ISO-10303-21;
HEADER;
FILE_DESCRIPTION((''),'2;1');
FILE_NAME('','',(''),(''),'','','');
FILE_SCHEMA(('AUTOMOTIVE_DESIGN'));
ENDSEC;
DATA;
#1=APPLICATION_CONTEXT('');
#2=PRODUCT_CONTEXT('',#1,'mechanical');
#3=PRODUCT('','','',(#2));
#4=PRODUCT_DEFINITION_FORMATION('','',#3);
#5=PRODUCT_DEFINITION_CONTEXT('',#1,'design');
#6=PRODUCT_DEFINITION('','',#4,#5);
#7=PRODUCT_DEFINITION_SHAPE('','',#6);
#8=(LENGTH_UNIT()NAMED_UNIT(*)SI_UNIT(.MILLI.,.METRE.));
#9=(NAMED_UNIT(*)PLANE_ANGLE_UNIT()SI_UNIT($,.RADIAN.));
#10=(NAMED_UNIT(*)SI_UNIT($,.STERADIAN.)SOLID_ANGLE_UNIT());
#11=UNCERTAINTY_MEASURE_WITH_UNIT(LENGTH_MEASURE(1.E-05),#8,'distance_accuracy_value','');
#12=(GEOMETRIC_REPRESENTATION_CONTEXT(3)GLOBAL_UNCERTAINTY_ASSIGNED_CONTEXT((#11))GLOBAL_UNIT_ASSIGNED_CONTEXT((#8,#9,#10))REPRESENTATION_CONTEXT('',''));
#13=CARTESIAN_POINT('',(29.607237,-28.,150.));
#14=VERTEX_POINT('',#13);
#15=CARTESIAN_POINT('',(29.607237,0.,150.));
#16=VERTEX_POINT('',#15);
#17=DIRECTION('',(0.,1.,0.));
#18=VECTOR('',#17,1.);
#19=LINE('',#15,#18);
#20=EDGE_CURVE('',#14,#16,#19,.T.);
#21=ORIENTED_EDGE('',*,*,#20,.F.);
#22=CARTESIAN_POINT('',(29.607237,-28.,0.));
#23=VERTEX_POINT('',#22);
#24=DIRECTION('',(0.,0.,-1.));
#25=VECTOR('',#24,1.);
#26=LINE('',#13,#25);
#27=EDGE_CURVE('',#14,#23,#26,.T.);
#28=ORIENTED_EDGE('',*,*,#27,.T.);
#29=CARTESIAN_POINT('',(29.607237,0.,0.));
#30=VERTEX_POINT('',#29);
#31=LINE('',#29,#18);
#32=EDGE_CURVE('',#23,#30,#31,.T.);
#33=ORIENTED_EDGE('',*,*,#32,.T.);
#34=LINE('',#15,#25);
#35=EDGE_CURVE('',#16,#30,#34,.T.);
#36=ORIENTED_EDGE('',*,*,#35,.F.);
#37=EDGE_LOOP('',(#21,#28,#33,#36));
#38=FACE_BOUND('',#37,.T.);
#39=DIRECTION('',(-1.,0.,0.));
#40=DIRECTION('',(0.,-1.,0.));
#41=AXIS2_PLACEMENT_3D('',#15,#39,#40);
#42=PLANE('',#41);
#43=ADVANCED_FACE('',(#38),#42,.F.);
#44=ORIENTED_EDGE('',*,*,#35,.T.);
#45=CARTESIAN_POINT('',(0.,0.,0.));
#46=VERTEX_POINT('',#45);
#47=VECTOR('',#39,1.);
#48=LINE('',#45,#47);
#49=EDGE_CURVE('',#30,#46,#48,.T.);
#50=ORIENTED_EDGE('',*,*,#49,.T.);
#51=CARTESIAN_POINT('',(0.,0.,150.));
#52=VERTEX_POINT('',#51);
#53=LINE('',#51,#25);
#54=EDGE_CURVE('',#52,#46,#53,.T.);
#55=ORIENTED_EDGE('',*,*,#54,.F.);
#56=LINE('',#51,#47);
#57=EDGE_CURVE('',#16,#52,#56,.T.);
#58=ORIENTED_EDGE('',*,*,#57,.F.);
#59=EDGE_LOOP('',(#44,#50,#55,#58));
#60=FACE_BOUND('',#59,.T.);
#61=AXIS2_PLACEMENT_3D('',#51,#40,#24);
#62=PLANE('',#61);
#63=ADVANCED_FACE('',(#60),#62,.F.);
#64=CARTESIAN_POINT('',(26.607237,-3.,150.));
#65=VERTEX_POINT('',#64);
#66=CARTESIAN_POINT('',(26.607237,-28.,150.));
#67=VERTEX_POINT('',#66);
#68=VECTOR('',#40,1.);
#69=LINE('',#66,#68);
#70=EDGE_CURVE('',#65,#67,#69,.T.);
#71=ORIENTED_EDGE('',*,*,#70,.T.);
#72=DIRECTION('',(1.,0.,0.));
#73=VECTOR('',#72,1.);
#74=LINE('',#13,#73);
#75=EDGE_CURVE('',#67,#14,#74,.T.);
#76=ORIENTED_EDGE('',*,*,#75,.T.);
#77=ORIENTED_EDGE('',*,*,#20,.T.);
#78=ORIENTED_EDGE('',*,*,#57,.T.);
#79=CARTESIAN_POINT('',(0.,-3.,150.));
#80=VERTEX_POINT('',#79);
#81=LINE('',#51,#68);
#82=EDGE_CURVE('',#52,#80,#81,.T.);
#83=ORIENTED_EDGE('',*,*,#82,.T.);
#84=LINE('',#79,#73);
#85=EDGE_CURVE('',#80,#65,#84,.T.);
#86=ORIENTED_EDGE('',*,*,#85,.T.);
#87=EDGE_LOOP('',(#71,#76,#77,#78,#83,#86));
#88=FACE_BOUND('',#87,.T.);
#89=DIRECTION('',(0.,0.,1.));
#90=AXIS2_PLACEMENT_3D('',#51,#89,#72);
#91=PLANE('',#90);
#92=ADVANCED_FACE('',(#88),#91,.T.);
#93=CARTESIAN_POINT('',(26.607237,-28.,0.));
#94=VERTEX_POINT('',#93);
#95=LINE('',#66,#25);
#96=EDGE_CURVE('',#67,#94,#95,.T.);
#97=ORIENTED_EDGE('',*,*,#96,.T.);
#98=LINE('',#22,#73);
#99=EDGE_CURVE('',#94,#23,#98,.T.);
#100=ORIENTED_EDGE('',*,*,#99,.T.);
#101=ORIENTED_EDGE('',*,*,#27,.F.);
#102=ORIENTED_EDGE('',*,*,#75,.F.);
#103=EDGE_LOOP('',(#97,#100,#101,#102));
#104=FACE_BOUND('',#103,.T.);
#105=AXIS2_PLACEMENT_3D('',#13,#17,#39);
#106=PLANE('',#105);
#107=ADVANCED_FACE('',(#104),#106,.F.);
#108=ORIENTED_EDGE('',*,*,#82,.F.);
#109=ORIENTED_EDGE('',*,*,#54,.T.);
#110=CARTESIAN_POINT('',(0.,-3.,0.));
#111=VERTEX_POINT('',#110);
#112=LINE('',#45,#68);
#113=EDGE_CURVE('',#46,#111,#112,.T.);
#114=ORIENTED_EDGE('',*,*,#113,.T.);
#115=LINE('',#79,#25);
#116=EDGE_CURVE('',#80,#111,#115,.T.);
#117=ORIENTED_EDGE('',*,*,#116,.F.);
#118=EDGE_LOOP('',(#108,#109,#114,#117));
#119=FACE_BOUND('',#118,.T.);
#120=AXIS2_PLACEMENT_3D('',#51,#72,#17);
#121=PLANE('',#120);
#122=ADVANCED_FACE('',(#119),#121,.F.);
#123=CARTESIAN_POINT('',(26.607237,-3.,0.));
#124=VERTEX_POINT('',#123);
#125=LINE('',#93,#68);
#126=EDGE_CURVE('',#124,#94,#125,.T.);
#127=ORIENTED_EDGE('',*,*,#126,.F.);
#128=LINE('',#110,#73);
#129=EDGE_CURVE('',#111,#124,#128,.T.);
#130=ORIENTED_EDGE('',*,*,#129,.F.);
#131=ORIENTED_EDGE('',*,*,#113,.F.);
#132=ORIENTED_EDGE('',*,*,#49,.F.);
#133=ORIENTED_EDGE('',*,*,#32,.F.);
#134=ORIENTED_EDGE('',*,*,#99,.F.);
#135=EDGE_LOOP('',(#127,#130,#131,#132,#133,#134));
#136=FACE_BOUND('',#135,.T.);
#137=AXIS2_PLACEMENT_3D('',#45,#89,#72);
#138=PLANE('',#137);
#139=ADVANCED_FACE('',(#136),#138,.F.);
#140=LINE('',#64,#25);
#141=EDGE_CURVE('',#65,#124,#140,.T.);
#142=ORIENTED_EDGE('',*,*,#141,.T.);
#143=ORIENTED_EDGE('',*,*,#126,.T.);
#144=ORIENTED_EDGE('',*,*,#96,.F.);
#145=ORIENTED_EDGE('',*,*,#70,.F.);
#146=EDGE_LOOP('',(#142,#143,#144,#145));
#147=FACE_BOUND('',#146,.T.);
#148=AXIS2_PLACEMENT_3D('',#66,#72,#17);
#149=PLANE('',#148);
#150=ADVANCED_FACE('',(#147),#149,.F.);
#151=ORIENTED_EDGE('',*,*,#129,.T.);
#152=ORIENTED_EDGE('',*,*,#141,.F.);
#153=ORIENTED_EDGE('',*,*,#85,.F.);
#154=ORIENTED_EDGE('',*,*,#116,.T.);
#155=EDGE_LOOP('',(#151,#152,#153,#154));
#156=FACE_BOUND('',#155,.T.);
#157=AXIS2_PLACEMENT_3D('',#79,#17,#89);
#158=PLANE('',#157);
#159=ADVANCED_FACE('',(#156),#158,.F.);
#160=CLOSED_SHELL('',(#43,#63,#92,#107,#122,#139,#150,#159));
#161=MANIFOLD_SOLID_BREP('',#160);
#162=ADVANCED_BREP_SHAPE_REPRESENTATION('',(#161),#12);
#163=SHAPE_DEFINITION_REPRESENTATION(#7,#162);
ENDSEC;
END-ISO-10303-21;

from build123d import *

# Parameters (mm, degrees)
BOSS_EXTRUDE1_DEPTH = 150


with BuildPart() as part:
    # Sketch1 → Boss-Extrude1 (new body)
    with BuildSketch(Plane.XY):
        Polygon((0, 0), (29.607237152, 0), (29.607237152, -28), (26.607237152, -28), (26.607237152, -3), (0, -3), align=None)
    extrude(amount=BOSS_EXTRUDE1_DEPTH)


solid = part.part
